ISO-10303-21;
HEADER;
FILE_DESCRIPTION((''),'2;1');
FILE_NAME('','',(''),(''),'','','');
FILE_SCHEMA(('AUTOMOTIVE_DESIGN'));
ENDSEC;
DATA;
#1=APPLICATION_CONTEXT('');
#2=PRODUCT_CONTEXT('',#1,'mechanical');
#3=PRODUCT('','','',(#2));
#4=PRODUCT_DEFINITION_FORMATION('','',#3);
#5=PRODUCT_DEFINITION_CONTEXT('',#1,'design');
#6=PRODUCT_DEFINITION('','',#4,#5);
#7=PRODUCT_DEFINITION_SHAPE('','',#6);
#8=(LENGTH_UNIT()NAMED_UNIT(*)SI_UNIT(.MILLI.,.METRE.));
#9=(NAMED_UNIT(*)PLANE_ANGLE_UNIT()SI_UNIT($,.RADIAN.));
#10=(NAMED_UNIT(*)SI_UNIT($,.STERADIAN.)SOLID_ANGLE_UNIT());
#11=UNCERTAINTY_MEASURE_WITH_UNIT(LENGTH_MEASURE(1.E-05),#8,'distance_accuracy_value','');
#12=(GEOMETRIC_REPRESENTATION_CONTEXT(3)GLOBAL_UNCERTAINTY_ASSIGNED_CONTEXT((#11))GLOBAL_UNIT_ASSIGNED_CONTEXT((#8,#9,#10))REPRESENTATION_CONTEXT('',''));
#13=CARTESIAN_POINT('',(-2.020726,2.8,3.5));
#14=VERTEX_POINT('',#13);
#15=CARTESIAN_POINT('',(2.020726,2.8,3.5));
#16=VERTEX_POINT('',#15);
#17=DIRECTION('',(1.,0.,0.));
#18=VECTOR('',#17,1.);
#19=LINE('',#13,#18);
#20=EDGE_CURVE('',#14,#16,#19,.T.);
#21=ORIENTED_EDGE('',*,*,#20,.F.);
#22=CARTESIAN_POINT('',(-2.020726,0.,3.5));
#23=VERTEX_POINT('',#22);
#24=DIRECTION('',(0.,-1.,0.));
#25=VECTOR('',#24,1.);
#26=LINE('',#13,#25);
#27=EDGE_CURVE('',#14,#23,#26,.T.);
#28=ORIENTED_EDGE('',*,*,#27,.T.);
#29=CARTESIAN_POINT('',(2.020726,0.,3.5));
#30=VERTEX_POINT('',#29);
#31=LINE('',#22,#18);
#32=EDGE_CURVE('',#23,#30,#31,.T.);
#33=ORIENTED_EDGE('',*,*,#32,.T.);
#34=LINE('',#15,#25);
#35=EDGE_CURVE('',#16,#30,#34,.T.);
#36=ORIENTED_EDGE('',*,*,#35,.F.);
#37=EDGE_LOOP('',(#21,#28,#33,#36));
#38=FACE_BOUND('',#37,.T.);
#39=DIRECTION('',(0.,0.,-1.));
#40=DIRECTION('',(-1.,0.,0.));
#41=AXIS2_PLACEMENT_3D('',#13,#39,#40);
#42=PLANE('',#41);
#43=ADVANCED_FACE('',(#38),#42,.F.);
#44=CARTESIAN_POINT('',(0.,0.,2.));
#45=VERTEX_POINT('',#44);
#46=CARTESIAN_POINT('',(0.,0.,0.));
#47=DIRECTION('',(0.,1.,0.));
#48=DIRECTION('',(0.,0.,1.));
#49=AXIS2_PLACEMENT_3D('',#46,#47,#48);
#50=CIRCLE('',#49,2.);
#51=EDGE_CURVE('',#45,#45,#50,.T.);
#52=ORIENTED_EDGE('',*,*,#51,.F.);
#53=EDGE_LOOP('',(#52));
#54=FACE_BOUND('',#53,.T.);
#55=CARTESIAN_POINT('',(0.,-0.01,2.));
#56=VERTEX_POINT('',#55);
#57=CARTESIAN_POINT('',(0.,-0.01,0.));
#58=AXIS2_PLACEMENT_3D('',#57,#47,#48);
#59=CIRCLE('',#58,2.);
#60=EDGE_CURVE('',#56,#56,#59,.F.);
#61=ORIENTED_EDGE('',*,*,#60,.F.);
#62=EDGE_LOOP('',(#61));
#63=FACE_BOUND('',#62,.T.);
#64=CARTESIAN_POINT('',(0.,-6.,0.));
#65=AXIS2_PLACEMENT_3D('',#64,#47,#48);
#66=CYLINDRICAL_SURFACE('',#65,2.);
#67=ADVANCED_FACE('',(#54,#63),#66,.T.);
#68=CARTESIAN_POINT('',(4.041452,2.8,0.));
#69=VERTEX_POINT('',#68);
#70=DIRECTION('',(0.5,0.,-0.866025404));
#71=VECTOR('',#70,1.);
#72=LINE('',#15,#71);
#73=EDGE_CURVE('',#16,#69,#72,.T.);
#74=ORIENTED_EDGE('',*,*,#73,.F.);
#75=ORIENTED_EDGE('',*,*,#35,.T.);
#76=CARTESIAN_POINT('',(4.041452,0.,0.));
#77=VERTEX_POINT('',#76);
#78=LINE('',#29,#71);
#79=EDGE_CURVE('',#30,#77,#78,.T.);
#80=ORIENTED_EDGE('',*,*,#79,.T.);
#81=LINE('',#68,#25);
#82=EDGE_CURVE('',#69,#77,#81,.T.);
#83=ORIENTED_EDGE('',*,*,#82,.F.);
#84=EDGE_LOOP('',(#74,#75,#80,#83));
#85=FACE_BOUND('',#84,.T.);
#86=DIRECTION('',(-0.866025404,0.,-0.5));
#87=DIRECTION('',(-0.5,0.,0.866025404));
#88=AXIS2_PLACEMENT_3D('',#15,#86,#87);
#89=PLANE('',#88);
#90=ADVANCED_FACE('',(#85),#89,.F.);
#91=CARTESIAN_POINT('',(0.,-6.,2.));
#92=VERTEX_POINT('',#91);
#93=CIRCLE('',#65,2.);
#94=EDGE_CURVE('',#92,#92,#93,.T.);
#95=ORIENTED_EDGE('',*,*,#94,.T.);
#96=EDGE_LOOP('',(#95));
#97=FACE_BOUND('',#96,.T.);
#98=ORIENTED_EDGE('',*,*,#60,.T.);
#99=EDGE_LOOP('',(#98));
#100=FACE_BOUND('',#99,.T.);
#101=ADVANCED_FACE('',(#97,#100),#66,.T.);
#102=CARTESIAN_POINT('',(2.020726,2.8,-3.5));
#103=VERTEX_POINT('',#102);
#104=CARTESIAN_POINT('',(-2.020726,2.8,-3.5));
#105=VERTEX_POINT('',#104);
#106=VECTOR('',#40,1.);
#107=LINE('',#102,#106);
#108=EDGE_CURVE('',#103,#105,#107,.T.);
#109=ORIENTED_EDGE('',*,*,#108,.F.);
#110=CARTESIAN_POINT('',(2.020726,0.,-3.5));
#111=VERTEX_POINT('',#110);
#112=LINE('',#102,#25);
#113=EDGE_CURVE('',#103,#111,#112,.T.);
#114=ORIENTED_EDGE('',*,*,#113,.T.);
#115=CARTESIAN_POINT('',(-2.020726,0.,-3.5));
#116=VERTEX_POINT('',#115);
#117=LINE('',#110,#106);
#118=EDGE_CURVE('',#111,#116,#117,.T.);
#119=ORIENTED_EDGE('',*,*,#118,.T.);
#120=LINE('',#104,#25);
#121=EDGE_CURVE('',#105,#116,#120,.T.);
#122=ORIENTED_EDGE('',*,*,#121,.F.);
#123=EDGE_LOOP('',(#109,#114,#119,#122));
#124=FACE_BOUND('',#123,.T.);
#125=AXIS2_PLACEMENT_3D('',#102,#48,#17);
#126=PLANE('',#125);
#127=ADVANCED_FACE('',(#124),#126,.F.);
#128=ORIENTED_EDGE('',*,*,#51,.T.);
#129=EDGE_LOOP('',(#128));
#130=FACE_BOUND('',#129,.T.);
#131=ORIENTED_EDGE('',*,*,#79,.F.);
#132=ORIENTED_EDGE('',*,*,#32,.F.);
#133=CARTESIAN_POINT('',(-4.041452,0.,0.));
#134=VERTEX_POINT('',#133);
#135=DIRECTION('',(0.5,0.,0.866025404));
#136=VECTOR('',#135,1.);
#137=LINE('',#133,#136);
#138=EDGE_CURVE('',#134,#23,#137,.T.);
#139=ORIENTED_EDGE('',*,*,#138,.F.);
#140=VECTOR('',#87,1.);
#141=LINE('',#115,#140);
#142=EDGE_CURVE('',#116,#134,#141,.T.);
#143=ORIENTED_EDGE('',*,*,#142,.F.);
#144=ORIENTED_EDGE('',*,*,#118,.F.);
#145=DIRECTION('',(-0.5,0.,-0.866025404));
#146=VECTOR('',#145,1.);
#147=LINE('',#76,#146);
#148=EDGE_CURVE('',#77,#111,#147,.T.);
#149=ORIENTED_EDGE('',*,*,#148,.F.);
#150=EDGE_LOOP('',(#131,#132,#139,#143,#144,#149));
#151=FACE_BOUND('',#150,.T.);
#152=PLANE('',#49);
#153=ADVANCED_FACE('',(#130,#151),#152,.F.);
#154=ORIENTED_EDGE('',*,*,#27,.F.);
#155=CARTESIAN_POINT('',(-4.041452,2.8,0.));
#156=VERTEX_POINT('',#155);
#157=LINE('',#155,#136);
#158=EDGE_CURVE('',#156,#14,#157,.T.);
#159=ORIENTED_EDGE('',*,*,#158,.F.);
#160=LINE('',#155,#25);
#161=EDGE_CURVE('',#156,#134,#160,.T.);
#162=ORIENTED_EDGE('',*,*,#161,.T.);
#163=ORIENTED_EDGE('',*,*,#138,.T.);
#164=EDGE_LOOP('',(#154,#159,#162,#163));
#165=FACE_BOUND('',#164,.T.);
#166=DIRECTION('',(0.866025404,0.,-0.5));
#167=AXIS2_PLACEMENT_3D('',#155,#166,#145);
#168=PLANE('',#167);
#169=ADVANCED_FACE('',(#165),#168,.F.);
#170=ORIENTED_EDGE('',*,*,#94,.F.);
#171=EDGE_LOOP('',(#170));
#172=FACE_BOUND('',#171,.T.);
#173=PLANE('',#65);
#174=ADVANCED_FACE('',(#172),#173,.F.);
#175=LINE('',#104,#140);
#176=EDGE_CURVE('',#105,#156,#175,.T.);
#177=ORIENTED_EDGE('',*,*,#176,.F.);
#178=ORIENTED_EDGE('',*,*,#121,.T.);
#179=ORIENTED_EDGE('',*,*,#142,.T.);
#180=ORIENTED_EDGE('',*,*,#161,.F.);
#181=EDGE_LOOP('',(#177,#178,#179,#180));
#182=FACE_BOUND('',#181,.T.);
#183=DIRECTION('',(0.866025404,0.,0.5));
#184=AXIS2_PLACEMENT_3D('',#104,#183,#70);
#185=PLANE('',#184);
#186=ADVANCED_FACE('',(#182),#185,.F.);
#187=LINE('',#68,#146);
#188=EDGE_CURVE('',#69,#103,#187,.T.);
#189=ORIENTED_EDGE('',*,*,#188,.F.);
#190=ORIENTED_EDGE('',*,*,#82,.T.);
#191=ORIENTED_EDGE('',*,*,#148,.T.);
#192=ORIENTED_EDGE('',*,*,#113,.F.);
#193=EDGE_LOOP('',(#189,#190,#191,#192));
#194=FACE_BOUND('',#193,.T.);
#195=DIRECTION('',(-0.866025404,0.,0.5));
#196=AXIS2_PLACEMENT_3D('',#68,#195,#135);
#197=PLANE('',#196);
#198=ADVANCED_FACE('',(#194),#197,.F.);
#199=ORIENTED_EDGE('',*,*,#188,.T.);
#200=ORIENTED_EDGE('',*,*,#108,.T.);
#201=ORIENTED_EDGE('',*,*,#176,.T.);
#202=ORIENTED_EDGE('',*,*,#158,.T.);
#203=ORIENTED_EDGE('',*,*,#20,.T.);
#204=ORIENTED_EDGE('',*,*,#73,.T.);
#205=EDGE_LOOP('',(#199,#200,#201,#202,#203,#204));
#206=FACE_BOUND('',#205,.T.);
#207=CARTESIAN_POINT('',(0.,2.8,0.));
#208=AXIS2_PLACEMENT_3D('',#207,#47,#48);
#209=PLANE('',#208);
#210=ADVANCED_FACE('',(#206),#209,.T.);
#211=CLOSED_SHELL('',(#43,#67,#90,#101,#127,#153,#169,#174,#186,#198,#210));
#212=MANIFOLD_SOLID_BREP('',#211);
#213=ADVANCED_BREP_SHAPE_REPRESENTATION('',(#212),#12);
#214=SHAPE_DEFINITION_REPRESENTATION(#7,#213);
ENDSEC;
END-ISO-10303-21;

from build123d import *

# Parameters (mm, degrees)
ESQUISSE1_R        = 2
BOSS_EXTRU_1_DEPTH = 6
BOSS_EXTRU_2_DEPTH = 2.8


with BuildPart() as part:
    # Esquisse1 → Boss.-Extru.1 (new body)
    with BuildSketch(Plane(origin=(0, 0, 0), x_dir=(1, 0, 0), z_dir=(0, 1, 0))):
        with Locations(Location((0, 0, 0), (0, 0, 270))):
            Circle(ESQUISSE1_R)
    extrude(amount=-BOSS_EXTRU_1_DEPTH)

    # Esquisse2 → Boss.-Extru.2 (add)
    with BuildSketch(Plane(origin=(0, 0, 0), x_dir=(1, 0, 0), z_dir=(0, 1, 0))):
        Polygon((-4.041451884, 0), (-2.020725942, -3.5), (2.020725942, -3.5), (4.041451884, 0), (2.020725942, 3.5), (-2.020725942, 3.5), align=None)
    extrude(amount=BOSS_EXTRU_2_DEPTH)


solid = part.part
